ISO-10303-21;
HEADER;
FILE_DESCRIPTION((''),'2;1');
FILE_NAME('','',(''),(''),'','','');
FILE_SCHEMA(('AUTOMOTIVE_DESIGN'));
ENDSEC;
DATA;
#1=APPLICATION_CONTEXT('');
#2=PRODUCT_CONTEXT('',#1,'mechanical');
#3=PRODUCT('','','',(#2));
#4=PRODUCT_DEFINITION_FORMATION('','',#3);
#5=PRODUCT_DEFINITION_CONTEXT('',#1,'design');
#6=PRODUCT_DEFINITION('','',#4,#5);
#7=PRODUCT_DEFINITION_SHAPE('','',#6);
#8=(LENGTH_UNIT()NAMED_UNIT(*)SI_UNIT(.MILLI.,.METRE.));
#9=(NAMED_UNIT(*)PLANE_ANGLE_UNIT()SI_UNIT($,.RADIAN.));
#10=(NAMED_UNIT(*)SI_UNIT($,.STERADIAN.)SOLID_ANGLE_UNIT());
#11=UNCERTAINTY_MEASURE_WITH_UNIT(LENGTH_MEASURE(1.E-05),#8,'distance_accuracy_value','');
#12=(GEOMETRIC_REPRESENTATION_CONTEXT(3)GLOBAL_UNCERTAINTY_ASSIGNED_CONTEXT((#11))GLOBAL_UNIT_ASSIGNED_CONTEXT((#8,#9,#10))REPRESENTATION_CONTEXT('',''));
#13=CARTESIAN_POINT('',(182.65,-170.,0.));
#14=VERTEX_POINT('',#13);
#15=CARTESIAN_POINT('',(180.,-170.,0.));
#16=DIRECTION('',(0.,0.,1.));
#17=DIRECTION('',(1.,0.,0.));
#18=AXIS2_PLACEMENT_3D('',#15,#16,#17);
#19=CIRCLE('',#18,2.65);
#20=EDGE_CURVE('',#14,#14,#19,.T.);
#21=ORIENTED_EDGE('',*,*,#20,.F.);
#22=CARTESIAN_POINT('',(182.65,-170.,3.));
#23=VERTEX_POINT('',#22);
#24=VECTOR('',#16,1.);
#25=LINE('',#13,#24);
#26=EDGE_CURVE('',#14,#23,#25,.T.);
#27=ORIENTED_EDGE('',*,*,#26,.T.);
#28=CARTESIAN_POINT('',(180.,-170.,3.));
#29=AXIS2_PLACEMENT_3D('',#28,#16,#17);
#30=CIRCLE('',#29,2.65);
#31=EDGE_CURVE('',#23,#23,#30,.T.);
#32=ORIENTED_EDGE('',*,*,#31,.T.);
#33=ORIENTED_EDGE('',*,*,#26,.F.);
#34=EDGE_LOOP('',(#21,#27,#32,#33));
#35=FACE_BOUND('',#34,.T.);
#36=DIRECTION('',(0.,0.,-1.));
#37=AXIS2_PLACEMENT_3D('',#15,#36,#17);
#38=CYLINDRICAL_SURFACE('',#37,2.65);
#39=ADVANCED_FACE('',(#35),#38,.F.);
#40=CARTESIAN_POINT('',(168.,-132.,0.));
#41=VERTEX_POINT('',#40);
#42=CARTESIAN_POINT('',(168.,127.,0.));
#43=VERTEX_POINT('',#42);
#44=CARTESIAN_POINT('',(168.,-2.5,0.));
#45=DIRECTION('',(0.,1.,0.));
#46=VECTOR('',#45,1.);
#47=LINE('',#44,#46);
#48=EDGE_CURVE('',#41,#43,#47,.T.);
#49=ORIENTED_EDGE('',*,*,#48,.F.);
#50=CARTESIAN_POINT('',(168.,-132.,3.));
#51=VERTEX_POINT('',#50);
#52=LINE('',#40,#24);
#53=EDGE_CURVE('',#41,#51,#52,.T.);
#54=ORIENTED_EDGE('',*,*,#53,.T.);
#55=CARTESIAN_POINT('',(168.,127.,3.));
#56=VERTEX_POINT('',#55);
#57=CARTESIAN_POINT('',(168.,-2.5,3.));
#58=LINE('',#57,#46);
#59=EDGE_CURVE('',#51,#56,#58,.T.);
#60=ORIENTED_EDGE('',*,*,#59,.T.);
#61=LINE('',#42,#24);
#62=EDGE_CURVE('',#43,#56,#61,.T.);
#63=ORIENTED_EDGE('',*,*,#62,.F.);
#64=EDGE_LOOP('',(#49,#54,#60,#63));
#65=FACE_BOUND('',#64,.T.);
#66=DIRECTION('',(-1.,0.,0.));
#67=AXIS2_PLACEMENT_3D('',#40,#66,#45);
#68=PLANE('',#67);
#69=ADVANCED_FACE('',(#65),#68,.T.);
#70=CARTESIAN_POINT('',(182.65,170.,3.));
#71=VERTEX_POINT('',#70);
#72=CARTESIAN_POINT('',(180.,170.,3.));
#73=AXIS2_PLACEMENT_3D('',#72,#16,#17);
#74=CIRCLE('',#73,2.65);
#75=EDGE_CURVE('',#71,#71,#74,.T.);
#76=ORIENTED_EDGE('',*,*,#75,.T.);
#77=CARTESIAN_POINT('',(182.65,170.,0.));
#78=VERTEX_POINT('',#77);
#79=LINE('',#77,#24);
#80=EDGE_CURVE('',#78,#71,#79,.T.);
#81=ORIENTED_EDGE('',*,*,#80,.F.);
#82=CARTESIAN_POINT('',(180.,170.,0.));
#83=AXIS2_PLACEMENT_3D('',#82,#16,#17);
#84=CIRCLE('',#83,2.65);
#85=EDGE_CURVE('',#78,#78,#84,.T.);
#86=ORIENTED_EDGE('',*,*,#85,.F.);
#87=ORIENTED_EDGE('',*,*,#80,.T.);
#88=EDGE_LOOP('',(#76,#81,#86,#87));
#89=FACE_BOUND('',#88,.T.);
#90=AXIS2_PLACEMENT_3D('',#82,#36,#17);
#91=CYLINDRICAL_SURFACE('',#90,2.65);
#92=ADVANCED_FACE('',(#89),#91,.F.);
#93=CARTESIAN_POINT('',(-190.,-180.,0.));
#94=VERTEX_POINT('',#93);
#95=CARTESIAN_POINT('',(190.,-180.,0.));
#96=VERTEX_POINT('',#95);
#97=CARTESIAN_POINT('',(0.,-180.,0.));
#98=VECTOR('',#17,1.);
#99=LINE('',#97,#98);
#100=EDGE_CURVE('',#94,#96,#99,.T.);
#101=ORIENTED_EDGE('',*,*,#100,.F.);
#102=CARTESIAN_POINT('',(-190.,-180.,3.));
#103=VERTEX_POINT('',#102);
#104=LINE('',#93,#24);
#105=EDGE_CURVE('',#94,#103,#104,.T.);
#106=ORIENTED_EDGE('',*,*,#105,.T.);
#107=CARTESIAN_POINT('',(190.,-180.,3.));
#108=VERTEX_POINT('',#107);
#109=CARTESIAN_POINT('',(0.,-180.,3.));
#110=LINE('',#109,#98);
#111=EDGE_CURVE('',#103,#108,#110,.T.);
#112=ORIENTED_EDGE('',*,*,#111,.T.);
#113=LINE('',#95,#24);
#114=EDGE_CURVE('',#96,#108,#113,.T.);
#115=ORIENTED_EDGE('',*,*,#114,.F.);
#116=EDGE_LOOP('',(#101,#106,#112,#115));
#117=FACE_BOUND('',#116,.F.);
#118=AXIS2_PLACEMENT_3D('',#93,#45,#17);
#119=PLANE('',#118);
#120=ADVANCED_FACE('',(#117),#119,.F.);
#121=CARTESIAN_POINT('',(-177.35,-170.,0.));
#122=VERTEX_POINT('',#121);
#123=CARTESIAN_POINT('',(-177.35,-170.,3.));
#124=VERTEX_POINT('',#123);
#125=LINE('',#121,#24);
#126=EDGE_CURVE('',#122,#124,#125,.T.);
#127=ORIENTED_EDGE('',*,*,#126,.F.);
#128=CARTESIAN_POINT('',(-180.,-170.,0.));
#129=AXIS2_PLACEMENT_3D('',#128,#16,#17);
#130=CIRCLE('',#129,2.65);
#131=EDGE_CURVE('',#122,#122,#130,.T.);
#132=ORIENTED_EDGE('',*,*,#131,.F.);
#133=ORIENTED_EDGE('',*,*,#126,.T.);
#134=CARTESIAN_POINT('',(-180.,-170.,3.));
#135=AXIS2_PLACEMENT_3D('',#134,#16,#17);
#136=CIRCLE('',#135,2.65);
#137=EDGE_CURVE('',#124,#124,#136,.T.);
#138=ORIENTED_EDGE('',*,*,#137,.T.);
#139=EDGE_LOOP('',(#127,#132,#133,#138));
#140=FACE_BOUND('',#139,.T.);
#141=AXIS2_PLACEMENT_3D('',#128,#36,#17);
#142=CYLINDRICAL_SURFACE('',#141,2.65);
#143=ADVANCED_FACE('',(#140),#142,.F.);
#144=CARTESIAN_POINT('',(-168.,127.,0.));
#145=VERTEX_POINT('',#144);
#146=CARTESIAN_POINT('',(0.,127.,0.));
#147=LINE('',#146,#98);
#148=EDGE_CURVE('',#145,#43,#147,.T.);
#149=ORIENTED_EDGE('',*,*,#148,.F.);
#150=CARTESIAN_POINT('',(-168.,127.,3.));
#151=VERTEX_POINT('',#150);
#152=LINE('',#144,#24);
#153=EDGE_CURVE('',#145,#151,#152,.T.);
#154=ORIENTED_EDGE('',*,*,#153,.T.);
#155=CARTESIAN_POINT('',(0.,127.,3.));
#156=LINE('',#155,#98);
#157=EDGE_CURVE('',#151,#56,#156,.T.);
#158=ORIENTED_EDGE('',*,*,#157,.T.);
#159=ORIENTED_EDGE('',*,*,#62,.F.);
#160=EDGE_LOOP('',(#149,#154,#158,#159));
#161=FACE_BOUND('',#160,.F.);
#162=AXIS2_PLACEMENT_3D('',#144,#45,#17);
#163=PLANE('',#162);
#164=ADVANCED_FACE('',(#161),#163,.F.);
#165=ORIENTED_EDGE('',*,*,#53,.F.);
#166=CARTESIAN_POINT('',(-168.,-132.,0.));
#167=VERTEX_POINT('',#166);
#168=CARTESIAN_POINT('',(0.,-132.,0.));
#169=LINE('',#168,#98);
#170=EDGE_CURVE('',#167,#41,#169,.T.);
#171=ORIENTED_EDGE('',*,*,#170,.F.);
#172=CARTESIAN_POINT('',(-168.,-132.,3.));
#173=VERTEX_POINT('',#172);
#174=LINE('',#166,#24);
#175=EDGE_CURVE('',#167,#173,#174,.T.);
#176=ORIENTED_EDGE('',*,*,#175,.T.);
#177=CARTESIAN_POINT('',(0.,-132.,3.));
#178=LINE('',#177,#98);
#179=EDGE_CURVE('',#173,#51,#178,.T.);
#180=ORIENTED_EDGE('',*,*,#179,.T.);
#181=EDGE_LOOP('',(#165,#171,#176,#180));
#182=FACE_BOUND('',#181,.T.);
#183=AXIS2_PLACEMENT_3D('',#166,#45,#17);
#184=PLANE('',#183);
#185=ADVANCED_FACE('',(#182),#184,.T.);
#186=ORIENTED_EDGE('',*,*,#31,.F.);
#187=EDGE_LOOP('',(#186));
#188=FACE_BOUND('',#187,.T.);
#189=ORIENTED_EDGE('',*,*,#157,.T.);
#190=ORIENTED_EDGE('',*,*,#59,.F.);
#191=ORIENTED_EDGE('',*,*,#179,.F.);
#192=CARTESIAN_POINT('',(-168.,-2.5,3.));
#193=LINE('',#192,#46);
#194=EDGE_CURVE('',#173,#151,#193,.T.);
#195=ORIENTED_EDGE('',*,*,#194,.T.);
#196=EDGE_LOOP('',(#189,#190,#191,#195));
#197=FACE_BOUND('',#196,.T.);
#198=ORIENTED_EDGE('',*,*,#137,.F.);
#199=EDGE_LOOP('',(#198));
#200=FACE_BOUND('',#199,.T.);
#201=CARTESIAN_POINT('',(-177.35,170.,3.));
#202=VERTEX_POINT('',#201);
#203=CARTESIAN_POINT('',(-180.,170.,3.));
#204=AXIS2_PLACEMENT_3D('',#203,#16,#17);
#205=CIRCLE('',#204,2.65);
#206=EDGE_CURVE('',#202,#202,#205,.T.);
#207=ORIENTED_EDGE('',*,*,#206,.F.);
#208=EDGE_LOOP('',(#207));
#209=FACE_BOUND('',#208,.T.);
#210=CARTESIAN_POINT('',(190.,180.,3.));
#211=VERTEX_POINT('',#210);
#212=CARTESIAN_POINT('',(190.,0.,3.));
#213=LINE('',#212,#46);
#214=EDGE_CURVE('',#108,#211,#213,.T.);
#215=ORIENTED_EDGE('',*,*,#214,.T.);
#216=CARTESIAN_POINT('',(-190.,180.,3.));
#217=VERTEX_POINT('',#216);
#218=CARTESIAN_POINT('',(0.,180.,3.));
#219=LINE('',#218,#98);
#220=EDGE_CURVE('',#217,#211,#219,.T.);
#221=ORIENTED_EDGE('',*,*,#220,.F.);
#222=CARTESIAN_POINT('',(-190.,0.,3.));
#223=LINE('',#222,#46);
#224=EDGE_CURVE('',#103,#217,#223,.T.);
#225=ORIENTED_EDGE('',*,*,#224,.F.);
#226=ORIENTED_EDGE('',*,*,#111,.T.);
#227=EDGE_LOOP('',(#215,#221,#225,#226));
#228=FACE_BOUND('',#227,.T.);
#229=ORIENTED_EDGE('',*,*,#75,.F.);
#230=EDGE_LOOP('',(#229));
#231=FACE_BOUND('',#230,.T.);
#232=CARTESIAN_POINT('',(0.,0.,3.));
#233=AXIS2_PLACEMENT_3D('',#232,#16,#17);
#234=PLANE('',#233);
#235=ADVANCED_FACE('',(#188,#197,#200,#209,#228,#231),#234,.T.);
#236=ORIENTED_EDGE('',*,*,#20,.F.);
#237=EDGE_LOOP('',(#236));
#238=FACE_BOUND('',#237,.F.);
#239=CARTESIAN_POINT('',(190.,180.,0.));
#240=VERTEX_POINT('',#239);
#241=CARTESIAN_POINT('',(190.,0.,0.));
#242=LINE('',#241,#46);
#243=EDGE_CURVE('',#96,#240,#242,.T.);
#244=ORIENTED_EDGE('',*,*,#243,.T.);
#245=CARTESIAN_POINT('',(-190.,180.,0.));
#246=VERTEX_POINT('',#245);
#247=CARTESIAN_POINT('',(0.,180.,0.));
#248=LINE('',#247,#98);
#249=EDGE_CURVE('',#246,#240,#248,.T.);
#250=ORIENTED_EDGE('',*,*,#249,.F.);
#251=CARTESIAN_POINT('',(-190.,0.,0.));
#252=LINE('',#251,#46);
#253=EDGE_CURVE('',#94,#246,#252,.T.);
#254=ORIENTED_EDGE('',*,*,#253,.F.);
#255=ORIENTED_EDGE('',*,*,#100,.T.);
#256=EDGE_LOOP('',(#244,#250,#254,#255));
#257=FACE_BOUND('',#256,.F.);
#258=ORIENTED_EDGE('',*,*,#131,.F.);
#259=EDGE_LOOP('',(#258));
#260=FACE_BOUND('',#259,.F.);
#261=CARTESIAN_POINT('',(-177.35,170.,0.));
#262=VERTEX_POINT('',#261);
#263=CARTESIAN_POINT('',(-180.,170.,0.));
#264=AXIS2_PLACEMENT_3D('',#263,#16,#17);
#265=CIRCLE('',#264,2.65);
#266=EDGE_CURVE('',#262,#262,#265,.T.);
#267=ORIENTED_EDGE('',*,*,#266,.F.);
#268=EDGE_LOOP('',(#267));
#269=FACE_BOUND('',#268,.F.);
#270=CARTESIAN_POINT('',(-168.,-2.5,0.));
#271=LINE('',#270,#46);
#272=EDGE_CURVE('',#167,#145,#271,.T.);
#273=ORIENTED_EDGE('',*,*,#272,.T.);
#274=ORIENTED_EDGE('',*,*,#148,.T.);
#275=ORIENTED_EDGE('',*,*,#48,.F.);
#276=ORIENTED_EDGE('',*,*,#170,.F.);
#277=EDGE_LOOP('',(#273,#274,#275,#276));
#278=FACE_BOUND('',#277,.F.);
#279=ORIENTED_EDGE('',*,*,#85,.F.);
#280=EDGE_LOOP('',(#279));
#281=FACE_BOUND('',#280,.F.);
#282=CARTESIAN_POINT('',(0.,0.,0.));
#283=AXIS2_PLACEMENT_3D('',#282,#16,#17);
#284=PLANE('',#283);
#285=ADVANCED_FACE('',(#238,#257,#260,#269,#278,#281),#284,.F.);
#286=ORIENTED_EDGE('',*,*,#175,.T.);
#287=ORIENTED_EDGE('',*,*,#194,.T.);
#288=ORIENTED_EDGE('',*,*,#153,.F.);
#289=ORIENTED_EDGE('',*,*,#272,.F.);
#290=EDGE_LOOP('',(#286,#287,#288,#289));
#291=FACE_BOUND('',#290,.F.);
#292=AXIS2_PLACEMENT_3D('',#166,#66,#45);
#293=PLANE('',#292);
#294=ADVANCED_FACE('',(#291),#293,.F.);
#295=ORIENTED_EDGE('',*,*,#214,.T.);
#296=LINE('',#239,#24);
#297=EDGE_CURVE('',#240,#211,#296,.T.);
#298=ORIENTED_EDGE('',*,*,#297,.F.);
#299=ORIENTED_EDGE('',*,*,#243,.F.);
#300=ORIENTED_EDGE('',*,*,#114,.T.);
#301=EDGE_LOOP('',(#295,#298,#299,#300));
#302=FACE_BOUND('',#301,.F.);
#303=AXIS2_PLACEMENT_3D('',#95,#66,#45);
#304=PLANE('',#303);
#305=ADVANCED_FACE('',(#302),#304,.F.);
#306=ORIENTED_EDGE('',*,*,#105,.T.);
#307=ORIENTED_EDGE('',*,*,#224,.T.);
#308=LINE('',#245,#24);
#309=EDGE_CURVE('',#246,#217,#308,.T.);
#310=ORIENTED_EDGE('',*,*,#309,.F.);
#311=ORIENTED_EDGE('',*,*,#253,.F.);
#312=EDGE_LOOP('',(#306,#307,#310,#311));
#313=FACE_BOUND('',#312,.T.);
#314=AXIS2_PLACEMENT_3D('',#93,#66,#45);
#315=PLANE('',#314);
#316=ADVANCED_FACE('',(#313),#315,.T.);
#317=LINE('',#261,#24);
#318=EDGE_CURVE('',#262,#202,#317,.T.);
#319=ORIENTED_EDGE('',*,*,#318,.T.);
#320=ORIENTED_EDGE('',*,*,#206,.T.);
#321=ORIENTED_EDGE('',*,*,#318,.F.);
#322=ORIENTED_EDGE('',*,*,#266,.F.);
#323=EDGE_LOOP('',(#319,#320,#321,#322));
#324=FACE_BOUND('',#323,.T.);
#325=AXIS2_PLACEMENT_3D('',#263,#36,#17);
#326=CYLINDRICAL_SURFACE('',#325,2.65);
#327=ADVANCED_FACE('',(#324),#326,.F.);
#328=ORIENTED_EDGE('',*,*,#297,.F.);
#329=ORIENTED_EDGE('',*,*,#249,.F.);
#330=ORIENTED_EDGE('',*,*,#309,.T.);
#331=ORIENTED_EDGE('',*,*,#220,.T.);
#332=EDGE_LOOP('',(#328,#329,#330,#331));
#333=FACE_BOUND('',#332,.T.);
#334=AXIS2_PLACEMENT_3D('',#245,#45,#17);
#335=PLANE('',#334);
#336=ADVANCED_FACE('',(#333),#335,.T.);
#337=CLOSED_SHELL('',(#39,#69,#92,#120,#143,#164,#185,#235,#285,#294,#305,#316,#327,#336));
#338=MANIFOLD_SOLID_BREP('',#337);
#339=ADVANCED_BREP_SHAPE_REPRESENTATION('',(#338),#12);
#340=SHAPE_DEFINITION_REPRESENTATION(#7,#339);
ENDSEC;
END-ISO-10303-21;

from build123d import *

# Parameters (mm, degrees)
F0_W     = 380
F0_H     = 360
F0_R     = 2.65
F0_W_2   = 336
F0_H_2   = 259
F1_DEPTH = 3


with BuildPart() as f1:
    # F0 (on Top) → F1 (new body)
    with BuildSketch(Plane.XY):
        Rectangle(F0_W, F0_H)
        with Locations((-180, -170)):
            Circle(F0_R, mode=Mode.SUBTRACT)
        with Locations((180, -170)):
            Circle(F0_R, mode=Mode.SUBTRACT)
        with Locations((0, -2.5)):
            Rectangle(F0_W_2, F0_H_2, mode=Mode.SUBTRACT)
        with Locations((-180, 170)):
            Circle(F0_R, mode=Mode.SUBTRACT)
        with Locations((180, 170)):
            Circle(F0_R, mode=Mode.SUBTRACT)
    extrude(amount=F1_DEPTH)


solid = f1.part
